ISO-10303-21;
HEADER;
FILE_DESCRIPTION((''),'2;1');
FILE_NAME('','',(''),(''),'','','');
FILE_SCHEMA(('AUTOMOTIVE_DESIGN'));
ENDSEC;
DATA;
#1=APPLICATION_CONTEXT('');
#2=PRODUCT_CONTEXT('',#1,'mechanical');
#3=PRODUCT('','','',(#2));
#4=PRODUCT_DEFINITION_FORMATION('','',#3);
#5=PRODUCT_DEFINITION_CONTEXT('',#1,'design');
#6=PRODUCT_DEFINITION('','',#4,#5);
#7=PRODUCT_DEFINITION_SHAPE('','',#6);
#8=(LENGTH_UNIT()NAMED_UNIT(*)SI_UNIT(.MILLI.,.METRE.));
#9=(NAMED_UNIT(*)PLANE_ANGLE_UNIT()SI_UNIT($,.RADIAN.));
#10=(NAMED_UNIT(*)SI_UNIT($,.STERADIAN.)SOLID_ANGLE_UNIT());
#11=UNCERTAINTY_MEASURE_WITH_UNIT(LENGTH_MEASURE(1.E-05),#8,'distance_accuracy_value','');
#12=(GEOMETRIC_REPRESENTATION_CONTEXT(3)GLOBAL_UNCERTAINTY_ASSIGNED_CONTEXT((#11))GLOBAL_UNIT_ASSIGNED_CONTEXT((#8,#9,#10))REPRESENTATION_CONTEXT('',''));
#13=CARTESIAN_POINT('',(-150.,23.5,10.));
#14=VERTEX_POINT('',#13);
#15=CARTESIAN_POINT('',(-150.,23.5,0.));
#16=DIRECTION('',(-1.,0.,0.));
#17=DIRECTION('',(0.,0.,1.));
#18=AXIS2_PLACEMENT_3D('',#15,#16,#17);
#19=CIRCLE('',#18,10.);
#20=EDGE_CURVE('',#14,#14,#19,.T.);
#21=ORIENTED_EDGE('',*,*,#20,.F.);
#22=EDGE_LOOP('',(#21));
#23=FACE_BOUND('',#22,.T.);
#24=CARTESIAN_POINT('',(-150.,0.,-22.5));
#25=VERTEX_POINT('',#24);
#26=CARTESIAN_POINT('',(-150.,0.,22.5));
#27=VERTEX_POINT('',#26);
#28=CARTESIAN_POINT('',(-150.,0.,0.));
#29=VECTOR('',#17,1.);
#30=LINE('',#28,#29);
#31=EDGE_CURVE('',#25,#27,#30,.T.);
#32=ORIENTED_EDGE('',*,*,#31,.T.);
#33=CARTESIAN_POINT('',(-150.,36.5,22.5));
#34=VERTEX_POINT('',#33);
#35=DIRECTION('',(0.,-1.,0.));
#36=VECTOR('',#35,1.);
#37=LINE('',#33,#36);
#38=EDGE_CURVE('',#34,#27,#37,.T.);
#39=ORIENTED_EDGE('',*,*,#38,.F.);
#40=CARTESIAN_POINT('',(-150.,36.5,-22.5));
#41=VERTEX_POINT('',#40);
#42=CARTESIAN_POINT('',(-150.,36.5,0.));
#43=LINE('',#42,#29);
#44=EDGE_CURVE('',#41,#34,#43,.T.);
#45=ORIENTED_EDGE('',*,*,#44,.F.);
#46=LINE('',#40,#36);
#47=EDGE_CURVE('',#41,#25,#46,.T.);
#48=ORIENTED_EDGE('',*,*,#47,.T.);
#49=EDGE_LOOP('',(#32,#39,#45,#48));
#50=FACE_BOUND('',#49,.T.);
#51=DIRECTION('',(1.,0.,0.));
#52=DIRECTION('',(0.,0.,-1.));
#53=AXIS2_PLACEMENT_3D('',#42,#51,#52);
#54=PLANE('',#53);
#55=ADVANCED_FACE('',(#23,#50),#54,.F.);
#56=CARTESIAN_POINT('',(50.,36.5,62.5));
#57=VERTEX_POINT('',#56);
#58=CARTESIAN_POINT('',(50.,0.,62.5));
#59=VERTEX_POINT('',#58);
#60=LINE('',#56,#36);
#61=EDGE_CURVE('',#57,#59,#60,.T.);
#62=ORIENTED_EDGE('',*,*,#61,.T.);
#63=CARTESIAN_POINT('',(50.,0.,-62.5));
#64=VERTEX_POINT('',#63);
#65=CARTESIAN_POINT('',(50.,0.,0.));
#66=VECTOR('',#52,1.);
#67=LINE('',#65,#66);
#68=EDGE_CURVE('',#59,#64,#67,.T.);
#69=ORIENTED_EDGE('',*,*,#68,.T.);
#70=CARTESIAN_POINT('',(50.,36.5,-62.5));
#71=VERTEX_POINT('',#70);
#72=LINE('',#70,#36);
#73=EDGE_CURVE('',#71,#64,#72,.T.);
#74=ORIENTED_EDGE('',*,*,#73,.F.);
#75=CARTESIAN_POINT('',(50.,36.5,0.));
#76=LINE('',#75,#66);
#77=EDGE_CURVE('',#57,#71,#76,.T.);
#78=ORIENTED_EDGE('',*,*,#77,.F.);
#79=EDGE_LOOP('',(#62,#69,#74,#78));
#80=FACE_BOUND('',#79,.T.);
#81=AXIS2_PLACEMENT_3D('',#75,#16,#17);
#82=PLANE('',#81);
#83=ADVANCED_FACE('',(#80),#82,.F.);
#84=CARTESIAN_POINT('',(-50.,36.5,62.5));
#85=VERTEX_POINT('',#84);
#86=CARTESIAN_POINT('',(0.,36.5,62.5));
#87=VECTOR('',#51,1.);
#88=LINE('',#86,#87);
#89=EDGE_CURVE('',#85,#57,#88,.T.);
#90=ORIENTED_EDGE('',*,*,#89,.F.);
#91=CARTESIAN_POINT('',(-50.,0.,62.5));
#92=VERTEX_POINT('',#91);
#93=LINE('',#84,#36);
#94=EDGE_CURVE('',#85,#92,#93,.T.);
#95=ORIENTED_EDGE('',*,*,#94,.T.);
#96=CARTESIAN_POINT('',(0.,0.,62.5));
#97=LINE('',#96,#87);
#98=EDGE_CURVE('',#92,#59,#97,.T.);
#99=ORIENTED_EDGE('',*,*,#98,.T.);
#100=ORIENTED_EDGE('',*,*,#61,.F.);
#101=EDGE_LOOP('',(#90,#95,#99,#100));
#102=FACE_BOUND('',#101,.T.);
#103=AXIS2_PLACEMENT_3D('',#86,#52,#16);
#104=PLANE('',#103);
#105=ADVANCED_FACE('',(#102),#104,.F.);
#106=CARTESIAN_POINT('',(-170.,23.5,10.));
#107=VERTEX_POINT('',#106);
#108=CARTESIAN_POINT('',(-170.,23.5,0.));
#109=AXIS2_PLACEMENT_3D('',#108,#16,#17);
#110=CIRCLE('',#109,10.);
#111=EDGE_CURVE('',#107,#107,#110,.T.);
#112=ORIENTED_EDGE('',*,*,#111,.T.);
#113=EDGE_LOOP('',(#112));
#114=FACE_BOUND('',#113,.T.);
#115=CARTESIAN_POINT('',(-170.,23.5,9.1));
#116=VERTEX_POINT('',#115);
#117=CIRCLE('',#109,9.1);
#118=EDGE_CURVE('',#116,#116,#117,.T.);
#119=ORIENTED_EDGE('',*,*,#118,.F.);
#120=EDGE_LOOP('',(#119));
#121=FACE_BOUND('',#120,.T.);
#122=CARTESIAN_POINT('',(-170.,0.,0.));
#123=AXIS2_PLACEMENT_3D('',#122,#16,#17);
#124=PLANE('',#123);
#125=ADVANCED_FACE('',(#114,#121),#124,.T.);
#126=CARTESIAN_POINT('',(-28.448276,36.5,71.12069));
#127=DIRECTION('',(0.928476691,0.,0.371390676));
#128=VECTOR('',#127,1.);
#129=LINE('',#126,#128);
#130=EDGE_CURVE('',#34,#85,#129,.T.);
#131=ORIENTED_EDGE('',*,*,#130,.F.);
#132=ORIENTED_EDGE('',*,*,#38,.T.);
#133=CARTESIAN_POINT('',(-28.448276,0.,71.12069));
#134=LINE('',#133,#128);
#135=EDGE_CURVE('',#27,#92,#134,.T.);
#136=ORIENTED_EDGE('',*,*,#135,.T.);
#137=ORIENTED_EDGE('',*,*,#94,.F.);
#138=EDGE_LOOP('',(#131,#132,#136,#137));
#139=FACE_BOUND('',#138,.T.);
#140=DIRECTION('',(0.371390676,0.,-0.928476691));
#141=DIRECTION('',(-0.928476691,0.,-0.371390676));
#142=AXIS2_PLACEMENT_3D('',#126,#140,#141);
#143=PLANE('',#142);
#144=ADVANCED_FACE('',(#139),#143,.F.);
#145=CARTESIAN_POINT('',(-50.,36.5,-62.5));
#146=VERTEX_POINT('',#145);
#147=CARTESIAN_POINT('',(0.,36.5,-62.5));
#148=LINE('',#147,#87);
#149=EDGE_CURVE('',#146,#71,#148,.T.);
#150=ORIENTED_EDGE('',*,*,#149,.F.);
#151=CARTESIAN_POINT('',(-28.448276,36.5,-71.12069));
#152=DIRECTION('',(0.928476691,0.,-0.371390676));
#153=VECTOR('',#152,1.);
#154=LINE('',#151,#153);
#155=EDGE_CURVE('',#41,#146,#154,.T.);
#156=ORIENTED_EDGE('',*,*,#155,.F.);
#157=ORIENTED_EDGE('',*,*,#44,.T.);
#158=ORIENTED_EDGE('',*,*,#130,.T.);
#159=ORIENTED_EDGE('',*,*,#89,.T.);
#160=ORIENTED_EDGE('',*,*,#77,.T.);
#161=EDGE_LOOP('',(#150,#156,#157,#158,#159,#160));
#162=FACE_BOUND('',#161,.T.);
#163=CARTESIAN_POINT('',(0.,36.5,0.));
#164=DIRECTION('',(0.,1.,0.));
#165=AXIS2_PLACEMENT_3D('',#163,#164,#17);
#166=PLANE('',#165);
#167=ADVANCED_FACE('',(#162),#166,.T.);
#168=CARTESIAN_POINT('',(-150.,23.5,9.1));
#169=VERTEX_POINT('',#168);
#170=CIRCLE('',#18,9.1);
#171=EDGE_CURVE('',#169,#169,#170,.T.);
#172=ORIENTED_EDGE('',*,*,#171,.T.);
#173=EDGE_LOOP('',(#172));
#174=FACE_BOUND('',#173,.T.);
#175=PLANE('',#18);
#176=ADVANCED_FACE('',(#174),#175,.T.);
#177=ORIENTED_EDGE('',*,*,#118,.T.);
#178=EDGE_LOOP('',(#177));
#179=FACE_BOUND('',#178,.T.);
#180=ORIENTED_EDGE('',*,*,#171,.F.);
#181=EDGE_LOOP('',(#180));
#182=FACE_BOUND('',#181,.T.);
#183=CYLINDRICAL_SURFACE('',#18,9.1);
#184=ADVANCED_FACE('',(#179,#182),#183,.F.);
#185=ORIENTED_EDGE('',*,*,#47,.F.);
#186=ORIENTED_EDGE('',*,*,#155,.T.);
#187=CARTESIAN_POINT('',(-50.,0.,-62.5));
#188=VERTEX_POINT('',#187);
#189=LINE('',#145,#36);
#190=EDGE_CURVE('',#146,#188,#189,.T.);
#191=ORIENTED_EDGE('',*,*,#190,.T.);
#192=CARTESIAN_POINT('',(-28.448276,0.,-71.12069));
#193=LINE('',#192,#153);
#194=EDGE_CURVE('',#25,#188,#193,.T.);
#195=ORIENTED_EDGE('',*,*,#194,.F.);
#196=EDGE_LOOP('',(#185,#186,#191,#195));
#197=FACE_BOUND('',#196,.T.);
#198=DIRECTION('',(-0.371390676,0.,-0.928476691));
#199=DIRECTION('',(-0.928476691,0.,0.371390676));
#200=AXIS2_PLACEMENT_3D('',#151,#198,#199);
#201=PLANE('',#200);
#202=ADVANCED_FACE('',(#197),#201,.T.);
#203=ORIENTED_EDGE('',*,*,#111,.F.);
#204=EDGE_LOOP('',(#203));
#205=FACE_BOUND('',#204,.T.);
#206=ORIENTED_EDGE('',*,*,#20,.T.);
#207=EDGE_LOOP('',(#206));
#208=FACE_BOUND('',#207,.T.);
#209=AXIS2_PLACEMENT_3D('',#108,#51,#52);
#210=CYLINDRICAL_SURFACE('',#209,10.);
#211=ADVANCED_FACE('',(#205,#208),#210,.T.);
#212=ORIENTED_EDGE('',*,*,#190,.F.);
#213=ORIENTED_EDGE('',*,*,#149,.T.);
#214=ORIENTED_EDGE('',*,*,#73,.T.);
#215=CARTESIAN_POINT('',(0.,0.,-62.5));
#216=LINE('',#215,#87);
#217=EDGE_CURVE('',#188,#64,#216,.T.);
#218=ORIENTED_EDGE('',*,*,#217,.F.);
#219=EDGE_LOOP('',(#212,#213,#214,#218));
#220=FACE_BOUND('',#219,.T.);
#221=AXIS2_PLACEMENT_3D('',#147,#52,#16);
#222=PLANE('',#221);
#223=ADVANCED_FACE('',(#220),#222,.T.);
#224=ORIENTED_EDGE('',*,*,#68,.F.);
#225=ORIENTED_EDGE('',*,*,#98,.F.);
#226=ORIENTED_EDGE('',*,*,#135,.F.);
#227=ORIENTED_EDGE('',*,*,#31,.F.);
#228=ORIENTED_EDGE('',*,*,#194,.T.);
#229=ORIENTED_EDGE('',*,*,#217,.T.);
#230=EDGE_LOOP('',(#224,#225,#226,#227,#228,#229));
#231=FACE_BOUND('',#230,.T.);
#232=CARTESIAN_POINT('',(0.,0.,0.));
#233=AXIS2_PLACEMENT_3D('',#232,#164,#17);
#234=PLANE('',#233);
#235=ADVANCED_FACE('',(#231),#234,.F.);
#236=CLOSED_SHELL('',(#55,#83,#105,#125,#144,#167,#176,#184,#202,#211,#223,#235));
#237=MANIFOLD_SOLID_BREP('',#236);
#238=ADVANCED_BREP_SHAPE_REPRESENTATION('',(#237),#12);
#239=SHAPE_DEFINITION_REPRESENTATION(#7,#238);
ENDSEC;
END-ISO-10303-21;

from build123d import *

# Parameters (mm, degrees)
SKETCH1_W           = 100
SKETCH1_H           = 125
BOSS_EXTRUDE1_DEPTH = 36.5
SKETCH27_R          = 10
BOSS_EXTRUDE2_DEPTH = 20
SKETCH28_R          = 9.1
CUT_EXTRUDE11_DEPTH = 20


with BuildPart() as part:
    # Sketch1 → Boss-Extrude1 (new body)
    with BuildSketch(Plane(origin=(0, 0, 0), x_dir=(1, 0, 0), z_dir=(0, 1, 0))):
        Polygon((-150, 22.5), (-150, -22.5), (-50, -62.5), (-50, 62.5), align=None)
        Rectangle(SKETCH1_W, SKETCH1_H)
    extrude(amount=BOSS_EXTRUDE1_DEPTH)

    # Sketch27 → Boss-Extrude2 (add)
    with BuildSketch(Plane.ZY.offset(150)):
        with Locations((0, 23.5)):
            Circle(SKETCH27_R)
    extrude(amount=BOSS_EXTRUDE2_DEPTH)

    # Sketch28 → Cut-Extrude11 (cut)
    with BuildSketch(Plane.ZY.offset(170)):
        with Locations((0, 23.5)):
            Circle(SKETCH28_R)
    extrude(amount=-CUT_EXTRUDE11_DEPTH, mode=Mode.SUBTRACT)


solid = part.part
